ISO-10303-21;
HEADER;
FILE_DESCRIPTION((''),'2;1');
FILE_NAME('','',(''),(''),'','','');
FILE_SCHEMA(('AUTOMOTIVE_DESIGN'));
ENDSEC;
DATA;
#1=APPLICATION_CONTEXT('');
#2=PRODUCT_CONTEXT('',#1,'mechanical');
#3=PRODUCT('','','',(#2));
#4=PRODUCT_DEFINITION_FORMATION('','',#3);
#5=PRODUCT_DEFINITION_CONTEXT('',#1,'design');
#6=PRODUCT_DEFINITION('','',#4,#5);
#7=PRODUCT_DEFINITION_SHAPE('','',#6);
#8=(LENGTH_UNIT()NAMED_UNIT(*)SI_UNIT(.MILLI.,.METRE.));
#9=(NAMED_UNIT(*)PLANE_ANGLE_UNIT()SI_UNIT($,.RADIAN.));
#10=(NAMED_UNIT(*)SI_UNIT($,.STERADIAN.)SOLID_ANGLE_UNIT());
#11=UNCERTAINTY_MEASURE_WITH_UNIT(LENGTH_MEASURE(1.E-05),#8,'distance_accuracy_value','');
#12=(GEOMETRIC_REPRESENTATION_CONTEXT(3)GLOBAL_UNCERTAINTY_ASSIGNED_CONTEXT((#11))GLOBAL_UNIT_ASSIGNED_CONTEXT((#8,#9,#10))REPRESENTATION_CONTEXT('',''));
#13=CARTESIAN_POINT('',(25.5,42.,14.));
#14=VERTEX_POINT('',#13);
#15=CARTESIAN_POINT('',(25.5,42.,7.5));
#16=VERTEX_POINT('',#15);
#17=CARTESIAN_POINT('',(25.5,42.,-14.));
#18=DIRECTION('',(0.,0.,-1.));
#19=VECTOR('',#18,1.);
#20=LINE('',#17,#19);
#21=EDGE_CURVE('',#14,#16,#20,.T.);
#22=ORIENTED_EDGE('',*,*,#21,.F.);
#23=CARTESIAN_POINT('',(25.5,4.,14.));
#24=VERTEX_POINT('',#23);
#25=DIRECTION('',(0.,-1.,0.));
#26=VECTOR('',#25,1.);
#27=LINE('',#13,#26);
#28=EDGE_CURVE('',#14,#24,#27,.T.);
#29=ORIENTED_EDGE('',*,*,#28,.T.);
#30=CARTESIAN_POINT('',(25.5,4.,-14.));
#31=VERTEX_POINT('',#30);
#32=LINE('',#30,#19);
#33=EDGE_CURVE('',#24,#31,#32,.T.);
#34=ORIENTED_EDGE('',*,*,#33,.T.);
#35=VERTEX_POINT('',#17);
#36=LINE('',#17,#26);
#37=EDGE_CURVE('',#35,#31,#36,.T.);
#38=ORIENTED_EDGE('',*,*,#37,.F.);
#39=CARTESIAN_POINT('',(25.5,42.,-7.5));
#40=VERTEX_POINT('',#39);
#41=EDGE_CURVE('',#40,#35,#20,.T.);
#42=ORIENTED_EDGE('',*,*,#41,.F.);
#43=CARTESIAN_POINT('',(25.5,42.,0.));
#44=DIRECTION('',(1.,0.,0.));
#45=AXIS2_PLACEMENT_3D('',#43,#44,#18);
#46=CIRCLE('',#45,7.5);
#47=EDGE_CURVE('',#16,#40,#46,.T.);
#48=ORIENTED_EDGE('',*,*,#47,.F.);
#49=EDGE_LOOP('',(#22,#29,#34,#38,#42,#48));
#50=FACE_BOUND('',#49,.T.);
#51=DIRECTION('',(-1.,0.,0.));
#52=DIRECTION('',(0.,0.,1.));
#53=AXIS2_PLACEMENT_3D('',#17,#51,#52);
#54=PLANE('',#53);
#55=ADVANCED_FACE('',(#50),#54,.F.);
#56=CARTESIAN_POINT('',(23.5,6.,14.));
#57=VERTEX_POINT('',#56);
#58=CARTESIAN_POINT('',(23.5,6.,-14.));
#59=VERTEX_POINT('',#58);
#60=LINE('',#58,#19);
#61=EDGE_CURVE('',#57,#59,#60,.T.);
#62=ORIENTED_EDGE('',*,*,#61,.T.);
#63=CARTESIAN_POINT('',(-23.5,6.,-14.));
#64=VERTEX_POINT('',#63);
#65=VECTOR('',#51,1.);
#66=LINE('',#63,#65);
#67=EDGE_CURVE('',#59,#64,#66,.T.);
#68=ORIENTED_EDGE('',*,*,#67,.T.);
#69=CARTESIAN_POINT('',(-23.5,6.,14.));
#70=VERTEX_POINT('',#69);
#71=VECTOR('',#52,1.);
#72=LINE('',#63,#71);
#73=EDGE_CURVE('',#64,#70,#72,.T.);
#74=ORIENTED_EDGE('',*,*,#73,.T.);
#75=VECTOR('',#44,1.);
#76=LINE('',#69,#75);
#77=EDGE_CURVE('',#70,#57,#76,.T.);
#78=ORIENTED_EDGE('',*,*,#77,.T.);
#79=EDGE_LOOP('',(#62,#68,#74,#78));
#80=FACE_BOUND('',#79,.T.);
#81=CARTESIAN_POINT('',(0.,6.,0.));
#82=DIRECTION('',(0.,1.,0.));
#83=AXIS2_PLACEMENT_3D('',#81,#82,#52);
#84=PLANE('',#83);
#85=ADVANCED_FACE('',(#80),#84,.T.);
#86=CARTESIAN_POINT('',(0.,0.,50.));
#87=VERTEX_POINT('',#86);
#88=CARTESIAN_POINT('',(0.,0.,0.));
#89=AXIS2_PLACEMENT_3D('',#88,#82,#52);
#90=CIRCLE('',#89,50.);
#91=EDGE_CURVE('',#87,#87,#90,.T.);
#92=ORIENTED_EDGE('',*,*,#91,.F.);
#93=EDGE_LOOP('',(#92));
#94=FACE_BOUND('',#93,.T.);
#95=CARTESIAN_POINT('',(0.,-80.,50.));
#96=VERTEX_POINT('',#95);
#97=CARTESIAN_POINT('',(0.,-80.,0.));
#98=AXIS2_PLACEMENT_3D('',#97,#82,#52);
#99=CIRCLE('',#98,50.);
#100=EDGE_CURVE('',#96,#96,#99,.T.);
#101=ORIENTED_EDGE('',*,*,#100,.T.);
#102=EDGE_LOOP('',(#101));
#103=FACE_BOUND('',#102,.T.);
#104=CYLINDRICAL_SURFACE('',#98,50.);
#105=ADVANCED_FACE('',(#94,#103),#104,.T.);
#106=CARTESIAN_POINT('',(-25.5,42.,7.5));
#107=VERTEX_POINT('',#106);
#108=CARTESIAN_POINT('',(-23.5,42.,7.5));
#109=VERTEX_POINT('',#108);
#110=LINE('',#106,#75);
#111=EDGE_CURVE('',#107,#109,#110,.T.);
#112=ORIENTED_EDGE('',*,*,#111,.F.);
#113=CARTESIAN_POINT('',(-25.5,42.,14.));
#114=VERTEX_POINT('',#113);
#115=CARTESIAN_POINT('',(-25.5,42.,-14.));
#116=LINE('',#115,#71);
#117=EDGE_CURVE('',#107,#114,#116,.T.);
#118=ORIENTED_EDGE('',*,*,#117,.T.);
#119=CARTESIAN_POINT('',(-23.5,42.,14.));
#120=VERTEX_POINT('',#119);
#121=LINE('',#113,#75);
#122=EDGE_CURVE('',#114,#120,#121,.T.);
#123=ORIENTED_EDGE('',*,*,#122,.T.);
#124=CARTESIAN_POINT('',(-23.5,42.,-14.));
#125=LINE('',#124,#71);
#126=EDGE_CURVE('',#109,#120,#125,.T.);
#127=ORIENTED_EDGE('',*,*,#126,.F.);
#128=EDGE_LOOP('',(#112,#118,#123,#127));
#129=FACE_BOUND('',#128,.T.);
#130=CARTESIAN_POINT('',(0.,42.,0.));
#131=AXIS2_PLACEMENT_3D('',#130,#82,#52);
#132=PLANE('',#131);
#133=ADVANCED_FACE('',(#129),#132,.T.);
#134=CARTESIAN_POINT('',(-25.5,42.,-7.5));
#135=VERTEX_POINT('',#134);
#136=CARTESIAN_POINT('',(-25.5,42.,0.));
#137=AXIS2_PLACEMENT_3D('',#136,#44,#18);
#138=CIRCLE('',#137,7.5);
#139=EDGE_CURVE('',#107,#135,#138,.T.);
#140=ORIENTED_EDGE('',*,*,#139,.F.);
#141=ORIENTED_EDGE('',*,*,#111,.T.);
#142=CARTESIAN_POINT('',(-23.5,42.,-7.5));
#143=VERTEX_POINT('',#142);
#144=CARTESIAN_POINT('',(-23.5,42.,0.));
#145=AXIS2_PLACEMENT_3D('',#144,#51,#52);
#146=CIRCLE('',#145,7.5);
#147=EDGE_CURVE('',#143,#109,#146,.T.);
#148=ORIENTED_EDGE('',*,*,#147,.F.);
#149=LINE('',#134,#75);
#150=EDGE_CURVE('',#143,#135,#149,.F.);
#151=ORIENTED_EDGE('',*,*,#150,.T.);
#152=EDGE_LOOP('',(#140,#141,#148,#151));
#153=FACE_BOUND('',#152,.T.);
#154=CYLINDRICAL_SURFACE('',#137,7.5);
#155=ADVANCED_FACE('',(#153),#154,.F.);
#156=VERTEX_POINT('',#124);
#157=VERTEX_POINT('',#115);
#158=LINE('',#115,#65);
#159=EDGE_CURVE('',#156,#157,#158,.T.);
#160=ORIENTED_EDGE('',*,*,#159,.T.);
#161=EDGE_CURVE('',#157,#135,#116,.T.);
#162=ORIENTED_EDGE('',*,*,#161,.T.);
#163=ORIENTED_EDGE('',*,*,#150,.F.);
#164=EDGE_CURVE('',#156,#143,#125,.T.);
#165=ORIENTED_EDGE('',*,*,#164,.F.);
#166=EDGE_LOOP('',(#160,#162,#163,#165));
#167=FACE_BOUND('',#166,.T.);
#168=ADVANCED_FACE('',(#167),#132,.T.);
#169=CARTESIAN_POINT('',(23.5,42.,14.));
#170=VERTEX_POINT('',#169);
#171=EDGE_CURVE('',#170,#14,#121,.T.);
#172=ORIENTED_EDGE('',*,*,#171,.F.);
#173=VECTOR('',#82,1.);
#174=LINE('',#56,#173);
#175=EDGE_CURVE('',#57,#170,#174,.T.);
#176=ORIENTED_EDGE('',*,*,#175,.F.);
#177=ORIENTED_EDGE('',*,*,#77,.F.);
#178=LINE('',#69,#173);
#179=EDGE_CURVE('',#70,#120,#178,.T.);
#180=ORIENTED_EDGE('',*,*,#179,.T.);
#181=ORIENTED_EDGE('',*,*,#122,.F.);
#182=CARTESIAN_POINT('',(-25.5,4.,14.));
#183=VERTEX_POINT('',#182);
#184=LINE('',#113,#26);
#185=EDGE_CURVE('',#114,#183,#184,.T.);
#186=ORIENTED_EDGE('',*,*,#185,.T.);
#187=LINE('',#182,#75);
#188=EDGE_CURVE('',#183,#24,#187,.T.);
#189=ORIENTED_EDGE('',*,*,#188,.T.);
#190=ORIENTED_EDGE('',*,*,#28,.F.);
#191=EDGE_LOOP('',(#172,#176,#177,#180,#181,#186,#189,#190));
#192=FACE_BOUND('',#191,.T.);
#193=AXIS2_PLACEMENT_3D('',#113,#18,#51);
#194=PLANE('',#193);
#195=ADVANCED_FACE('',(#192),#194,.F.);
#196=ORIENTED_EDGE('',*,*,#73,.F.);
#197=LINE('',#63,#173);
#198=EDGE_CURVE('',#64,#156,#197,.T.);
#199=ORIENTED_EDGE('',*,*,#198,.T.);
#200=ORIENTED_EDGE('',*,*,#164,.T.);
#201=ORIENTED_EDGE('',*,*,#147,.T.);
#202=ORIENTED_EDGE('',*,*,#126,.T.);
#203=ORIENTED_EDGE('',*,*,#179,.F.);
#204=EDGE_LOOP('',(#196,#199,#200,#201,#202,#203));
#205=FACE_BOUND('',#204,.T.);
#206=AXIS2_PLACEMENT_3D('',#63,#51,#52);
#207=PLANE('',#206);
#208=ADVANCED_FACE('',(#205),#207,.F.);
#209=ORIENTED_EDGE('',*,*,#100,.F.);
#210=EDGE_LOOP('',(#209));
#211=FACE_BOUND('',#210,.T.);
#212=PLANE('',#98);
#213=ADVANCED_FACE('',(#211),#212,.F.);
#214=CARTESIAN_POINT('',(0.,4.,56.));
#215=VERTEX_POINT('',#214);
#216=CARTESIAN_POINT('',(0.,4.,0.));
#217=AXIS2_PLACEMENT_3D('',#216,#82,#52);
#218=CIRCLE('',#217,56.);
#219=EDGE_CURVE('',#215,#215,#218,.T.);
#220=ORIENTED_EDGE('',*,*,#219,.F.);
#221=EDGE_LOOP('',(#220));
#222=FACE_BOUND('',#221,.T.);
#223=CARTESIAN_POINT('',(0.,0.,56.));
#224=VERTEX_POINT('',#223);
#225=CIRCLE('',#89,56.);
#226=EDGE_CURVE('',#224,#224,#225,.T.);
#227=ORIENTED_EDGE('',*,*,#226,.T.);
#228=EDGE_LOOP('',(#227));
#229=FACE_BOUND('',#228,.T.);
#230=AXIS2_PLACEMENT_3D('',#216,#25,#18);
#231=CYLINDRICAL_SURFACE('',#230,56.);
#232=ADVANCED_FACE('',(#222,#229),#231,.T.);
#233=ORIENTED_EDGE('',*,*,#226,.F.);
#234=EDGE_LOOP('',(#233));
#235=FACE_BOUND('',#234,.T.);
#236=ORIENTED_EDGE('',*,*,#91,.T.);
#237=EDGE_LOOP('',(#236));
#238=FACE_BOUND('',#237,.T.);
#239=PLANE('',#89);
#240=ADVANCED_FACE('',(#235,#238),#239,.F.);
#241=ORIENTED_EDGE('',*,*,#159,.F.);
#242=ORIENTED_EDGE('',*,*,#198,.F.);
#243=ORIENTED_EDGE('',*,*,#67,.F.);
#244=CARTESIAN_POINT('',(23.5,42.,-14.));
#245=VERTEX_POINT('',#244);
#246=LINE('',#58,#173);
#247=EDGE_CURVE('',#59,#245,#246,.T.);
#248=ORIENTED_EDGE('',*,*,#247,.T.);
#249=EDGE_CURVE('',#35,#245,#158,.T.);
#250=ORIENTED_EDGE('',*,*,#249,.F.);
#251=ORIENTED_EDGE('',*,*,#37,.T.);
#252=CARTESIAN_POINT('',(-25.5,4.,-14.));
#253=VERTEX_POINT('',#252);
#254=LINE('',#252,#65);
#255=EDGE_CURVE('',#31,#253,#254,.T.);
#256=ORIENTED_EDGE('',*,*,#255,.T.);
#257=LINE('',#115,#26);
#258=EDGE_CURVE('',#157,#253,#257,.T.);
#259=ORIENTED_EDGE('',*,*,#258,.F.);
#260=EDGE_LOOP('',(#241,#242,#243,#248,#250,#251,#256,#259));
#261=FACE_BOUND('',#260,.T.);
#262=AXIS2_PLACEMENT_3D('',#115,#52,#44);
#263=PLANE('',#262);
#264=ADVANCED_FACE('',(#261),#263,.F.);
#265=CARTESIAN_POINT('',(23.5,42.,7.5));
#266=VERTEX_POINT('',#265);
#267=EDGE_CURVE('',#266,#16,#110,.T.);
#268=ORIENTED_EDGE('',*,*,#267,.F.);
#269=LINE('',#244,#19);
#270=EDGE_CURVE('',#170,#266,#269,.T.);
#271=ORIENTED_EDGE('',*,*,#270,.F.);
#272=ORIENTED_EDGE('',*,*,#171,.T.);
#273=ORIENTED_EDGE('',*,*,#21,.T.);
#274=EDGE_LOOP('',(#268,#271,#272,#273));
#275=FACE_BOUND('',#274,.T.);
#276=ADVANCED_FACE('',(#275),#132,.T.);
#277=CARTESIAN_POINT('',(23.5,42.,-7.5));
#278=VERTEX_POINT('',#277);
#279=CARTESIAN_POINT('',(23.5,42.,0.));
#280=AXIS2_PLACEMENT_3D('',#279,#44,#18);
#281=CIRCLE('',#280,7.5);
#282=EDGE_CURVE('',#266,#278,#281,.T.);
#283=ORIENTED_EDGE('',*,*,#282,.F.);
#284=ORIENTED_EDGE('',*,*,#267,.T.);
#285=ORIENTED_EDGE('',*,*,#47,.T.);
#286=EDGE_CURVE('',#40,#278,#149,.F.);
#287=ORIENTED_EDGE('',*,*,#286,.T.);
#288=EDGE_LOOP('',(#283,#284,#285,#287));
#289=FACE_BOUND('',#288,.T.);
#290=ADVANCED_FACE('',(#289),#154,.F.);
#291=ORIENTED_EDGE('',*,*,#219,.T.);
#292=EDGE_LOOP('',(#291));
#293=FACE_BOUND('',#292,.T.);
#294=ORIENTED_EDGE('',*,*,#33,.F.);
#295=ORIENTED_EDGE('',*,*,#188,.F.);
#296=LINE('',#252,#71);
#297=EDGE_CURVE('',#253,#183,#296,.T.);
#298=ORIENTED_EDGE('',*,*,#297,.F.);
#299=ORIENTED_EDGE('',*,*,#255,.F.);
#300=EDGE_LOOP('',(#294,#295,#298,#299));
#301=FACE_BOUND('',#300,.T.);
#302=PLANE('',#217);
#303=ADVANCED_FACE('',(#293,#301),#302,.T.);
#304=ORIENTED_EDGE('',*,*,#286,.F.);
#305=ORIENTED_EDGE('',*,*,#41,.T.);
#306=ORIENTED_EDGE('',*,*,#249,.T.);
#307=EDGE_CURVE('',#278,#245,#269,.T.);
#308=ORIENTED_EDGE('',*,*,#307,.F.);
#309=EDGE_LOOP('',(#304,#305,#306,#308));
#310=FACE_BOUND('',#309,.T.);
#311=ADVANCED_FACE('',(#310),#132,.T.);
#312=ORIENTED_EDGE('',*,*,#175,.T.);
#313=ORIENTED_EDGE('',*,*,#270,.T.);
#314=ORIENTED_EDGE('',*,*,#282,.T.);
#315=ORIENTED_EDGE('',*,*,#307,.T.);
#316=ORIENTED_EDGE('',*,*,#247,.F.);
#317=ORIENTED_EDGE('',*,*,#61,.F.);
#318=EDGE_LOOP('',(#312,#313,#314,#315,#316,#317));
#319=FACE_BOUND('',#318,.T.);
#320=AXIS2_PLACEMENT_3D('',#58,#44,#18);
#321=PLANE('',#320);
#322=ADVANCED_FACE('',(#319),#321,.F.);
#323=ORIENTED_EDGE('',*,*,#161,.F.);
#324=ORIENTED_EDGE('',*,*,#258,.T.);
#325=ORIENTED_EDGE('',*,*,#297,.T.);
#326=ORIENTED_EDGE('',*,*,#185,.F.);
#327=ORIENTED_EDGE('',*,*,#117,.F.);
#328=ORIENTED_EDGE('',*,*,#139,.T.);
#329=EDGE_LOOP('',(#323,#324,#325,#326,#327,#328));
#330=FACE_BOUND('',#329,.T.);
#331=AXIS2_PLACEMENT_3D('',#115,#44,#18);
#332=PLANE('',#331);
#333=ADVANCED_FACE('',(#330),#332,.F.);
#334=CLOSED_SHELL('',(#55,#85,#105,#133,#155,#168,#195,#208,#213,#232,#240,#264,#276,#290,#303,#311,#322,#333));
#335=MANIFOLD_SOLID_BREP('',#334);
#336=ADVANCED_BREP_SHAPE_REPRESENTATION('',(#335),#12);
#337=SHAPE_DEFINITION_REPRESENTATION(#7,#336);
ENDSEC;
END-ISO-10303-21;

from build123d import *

# Parameters (mm, degrees)
SKETCH1_R           = 50
BOSS_EXTRUDE1_DEPTH = 80
SKETCH1_3_R         = 56
BOSS_EXTRUDE2_DEPTH = 4
SKETCH5_W           = 51
SKETCH5_H           = 28
BOSS_EXTRUDE4_DEPTH = 38
SKETCH6_W           = 47
SKETCH6_H           = 28
CUT_EXTRUDE2_DEPTH  = 36
SKETCH8_R           = 7.5
CUT_EXTRUDE3_DEPTH  = 51


with BuildPart() as part:
    # Sketch1 → Boss-Extrude1 (new body)
    with BuildSketch(Plane(origin=(0, 0, 0), x_dir=(1, 0, 0), z_dir=(0, 1, 0))):
        Circle(SKETCH1_R)
    extrude(amount=-BOSS_EXTRUDE1_DEPTH)

    # Sketch1<3> → Boss-Extrude2 (add)
    with BuildSketch(Plane(origin=(0, 0, 0), x_dir=(1, 0, 0), z_dir=(0, 1, 0))):
        Circle(SKETCH1_3_R)
    extrude(amount=BOSS_EXTRUDE2_DEPTH)

    # Sketch5 → Boss-Extrude4 (add)
    with BuildSketch(Plane(origin=(0, 4, 0), x_dir=(1, 0, 0), z_dir=(0, 1, 0))):
        Rectangle(SKETCH5_W, SKETCH5_H)
    extrude(amount=BOSS_EXTRUDE4_DEPTH)

    # Sketch6 → Cut-Extrude2 (cut)
    with BuildSketch(Plane(origin=(0, 42, 0), x_dir=(1, 0, 0), z_dir=(0, 1, 0))):
        Rectangle(SKETCH6_W, SKETCH6_H)
    extrude(amount=-CUT_EXTRUDE2_DEPTH, mode=Mode.SUBTRACT)

    # Sketch8 → Cut-Extrude3 (cut)
    with BuildSketch(Plane(origin=(25.5, 0, 0), x_dir=(0, 0, -1), z_dir=(1, 0, 0))):
        with Locations((0, 42)):
            Circle(SKETCH8_R)
    extrude(amount=-CUT_EXTRUDE3_DEPTH, mode=Mode.SUBTRACT)


solid = part.part
